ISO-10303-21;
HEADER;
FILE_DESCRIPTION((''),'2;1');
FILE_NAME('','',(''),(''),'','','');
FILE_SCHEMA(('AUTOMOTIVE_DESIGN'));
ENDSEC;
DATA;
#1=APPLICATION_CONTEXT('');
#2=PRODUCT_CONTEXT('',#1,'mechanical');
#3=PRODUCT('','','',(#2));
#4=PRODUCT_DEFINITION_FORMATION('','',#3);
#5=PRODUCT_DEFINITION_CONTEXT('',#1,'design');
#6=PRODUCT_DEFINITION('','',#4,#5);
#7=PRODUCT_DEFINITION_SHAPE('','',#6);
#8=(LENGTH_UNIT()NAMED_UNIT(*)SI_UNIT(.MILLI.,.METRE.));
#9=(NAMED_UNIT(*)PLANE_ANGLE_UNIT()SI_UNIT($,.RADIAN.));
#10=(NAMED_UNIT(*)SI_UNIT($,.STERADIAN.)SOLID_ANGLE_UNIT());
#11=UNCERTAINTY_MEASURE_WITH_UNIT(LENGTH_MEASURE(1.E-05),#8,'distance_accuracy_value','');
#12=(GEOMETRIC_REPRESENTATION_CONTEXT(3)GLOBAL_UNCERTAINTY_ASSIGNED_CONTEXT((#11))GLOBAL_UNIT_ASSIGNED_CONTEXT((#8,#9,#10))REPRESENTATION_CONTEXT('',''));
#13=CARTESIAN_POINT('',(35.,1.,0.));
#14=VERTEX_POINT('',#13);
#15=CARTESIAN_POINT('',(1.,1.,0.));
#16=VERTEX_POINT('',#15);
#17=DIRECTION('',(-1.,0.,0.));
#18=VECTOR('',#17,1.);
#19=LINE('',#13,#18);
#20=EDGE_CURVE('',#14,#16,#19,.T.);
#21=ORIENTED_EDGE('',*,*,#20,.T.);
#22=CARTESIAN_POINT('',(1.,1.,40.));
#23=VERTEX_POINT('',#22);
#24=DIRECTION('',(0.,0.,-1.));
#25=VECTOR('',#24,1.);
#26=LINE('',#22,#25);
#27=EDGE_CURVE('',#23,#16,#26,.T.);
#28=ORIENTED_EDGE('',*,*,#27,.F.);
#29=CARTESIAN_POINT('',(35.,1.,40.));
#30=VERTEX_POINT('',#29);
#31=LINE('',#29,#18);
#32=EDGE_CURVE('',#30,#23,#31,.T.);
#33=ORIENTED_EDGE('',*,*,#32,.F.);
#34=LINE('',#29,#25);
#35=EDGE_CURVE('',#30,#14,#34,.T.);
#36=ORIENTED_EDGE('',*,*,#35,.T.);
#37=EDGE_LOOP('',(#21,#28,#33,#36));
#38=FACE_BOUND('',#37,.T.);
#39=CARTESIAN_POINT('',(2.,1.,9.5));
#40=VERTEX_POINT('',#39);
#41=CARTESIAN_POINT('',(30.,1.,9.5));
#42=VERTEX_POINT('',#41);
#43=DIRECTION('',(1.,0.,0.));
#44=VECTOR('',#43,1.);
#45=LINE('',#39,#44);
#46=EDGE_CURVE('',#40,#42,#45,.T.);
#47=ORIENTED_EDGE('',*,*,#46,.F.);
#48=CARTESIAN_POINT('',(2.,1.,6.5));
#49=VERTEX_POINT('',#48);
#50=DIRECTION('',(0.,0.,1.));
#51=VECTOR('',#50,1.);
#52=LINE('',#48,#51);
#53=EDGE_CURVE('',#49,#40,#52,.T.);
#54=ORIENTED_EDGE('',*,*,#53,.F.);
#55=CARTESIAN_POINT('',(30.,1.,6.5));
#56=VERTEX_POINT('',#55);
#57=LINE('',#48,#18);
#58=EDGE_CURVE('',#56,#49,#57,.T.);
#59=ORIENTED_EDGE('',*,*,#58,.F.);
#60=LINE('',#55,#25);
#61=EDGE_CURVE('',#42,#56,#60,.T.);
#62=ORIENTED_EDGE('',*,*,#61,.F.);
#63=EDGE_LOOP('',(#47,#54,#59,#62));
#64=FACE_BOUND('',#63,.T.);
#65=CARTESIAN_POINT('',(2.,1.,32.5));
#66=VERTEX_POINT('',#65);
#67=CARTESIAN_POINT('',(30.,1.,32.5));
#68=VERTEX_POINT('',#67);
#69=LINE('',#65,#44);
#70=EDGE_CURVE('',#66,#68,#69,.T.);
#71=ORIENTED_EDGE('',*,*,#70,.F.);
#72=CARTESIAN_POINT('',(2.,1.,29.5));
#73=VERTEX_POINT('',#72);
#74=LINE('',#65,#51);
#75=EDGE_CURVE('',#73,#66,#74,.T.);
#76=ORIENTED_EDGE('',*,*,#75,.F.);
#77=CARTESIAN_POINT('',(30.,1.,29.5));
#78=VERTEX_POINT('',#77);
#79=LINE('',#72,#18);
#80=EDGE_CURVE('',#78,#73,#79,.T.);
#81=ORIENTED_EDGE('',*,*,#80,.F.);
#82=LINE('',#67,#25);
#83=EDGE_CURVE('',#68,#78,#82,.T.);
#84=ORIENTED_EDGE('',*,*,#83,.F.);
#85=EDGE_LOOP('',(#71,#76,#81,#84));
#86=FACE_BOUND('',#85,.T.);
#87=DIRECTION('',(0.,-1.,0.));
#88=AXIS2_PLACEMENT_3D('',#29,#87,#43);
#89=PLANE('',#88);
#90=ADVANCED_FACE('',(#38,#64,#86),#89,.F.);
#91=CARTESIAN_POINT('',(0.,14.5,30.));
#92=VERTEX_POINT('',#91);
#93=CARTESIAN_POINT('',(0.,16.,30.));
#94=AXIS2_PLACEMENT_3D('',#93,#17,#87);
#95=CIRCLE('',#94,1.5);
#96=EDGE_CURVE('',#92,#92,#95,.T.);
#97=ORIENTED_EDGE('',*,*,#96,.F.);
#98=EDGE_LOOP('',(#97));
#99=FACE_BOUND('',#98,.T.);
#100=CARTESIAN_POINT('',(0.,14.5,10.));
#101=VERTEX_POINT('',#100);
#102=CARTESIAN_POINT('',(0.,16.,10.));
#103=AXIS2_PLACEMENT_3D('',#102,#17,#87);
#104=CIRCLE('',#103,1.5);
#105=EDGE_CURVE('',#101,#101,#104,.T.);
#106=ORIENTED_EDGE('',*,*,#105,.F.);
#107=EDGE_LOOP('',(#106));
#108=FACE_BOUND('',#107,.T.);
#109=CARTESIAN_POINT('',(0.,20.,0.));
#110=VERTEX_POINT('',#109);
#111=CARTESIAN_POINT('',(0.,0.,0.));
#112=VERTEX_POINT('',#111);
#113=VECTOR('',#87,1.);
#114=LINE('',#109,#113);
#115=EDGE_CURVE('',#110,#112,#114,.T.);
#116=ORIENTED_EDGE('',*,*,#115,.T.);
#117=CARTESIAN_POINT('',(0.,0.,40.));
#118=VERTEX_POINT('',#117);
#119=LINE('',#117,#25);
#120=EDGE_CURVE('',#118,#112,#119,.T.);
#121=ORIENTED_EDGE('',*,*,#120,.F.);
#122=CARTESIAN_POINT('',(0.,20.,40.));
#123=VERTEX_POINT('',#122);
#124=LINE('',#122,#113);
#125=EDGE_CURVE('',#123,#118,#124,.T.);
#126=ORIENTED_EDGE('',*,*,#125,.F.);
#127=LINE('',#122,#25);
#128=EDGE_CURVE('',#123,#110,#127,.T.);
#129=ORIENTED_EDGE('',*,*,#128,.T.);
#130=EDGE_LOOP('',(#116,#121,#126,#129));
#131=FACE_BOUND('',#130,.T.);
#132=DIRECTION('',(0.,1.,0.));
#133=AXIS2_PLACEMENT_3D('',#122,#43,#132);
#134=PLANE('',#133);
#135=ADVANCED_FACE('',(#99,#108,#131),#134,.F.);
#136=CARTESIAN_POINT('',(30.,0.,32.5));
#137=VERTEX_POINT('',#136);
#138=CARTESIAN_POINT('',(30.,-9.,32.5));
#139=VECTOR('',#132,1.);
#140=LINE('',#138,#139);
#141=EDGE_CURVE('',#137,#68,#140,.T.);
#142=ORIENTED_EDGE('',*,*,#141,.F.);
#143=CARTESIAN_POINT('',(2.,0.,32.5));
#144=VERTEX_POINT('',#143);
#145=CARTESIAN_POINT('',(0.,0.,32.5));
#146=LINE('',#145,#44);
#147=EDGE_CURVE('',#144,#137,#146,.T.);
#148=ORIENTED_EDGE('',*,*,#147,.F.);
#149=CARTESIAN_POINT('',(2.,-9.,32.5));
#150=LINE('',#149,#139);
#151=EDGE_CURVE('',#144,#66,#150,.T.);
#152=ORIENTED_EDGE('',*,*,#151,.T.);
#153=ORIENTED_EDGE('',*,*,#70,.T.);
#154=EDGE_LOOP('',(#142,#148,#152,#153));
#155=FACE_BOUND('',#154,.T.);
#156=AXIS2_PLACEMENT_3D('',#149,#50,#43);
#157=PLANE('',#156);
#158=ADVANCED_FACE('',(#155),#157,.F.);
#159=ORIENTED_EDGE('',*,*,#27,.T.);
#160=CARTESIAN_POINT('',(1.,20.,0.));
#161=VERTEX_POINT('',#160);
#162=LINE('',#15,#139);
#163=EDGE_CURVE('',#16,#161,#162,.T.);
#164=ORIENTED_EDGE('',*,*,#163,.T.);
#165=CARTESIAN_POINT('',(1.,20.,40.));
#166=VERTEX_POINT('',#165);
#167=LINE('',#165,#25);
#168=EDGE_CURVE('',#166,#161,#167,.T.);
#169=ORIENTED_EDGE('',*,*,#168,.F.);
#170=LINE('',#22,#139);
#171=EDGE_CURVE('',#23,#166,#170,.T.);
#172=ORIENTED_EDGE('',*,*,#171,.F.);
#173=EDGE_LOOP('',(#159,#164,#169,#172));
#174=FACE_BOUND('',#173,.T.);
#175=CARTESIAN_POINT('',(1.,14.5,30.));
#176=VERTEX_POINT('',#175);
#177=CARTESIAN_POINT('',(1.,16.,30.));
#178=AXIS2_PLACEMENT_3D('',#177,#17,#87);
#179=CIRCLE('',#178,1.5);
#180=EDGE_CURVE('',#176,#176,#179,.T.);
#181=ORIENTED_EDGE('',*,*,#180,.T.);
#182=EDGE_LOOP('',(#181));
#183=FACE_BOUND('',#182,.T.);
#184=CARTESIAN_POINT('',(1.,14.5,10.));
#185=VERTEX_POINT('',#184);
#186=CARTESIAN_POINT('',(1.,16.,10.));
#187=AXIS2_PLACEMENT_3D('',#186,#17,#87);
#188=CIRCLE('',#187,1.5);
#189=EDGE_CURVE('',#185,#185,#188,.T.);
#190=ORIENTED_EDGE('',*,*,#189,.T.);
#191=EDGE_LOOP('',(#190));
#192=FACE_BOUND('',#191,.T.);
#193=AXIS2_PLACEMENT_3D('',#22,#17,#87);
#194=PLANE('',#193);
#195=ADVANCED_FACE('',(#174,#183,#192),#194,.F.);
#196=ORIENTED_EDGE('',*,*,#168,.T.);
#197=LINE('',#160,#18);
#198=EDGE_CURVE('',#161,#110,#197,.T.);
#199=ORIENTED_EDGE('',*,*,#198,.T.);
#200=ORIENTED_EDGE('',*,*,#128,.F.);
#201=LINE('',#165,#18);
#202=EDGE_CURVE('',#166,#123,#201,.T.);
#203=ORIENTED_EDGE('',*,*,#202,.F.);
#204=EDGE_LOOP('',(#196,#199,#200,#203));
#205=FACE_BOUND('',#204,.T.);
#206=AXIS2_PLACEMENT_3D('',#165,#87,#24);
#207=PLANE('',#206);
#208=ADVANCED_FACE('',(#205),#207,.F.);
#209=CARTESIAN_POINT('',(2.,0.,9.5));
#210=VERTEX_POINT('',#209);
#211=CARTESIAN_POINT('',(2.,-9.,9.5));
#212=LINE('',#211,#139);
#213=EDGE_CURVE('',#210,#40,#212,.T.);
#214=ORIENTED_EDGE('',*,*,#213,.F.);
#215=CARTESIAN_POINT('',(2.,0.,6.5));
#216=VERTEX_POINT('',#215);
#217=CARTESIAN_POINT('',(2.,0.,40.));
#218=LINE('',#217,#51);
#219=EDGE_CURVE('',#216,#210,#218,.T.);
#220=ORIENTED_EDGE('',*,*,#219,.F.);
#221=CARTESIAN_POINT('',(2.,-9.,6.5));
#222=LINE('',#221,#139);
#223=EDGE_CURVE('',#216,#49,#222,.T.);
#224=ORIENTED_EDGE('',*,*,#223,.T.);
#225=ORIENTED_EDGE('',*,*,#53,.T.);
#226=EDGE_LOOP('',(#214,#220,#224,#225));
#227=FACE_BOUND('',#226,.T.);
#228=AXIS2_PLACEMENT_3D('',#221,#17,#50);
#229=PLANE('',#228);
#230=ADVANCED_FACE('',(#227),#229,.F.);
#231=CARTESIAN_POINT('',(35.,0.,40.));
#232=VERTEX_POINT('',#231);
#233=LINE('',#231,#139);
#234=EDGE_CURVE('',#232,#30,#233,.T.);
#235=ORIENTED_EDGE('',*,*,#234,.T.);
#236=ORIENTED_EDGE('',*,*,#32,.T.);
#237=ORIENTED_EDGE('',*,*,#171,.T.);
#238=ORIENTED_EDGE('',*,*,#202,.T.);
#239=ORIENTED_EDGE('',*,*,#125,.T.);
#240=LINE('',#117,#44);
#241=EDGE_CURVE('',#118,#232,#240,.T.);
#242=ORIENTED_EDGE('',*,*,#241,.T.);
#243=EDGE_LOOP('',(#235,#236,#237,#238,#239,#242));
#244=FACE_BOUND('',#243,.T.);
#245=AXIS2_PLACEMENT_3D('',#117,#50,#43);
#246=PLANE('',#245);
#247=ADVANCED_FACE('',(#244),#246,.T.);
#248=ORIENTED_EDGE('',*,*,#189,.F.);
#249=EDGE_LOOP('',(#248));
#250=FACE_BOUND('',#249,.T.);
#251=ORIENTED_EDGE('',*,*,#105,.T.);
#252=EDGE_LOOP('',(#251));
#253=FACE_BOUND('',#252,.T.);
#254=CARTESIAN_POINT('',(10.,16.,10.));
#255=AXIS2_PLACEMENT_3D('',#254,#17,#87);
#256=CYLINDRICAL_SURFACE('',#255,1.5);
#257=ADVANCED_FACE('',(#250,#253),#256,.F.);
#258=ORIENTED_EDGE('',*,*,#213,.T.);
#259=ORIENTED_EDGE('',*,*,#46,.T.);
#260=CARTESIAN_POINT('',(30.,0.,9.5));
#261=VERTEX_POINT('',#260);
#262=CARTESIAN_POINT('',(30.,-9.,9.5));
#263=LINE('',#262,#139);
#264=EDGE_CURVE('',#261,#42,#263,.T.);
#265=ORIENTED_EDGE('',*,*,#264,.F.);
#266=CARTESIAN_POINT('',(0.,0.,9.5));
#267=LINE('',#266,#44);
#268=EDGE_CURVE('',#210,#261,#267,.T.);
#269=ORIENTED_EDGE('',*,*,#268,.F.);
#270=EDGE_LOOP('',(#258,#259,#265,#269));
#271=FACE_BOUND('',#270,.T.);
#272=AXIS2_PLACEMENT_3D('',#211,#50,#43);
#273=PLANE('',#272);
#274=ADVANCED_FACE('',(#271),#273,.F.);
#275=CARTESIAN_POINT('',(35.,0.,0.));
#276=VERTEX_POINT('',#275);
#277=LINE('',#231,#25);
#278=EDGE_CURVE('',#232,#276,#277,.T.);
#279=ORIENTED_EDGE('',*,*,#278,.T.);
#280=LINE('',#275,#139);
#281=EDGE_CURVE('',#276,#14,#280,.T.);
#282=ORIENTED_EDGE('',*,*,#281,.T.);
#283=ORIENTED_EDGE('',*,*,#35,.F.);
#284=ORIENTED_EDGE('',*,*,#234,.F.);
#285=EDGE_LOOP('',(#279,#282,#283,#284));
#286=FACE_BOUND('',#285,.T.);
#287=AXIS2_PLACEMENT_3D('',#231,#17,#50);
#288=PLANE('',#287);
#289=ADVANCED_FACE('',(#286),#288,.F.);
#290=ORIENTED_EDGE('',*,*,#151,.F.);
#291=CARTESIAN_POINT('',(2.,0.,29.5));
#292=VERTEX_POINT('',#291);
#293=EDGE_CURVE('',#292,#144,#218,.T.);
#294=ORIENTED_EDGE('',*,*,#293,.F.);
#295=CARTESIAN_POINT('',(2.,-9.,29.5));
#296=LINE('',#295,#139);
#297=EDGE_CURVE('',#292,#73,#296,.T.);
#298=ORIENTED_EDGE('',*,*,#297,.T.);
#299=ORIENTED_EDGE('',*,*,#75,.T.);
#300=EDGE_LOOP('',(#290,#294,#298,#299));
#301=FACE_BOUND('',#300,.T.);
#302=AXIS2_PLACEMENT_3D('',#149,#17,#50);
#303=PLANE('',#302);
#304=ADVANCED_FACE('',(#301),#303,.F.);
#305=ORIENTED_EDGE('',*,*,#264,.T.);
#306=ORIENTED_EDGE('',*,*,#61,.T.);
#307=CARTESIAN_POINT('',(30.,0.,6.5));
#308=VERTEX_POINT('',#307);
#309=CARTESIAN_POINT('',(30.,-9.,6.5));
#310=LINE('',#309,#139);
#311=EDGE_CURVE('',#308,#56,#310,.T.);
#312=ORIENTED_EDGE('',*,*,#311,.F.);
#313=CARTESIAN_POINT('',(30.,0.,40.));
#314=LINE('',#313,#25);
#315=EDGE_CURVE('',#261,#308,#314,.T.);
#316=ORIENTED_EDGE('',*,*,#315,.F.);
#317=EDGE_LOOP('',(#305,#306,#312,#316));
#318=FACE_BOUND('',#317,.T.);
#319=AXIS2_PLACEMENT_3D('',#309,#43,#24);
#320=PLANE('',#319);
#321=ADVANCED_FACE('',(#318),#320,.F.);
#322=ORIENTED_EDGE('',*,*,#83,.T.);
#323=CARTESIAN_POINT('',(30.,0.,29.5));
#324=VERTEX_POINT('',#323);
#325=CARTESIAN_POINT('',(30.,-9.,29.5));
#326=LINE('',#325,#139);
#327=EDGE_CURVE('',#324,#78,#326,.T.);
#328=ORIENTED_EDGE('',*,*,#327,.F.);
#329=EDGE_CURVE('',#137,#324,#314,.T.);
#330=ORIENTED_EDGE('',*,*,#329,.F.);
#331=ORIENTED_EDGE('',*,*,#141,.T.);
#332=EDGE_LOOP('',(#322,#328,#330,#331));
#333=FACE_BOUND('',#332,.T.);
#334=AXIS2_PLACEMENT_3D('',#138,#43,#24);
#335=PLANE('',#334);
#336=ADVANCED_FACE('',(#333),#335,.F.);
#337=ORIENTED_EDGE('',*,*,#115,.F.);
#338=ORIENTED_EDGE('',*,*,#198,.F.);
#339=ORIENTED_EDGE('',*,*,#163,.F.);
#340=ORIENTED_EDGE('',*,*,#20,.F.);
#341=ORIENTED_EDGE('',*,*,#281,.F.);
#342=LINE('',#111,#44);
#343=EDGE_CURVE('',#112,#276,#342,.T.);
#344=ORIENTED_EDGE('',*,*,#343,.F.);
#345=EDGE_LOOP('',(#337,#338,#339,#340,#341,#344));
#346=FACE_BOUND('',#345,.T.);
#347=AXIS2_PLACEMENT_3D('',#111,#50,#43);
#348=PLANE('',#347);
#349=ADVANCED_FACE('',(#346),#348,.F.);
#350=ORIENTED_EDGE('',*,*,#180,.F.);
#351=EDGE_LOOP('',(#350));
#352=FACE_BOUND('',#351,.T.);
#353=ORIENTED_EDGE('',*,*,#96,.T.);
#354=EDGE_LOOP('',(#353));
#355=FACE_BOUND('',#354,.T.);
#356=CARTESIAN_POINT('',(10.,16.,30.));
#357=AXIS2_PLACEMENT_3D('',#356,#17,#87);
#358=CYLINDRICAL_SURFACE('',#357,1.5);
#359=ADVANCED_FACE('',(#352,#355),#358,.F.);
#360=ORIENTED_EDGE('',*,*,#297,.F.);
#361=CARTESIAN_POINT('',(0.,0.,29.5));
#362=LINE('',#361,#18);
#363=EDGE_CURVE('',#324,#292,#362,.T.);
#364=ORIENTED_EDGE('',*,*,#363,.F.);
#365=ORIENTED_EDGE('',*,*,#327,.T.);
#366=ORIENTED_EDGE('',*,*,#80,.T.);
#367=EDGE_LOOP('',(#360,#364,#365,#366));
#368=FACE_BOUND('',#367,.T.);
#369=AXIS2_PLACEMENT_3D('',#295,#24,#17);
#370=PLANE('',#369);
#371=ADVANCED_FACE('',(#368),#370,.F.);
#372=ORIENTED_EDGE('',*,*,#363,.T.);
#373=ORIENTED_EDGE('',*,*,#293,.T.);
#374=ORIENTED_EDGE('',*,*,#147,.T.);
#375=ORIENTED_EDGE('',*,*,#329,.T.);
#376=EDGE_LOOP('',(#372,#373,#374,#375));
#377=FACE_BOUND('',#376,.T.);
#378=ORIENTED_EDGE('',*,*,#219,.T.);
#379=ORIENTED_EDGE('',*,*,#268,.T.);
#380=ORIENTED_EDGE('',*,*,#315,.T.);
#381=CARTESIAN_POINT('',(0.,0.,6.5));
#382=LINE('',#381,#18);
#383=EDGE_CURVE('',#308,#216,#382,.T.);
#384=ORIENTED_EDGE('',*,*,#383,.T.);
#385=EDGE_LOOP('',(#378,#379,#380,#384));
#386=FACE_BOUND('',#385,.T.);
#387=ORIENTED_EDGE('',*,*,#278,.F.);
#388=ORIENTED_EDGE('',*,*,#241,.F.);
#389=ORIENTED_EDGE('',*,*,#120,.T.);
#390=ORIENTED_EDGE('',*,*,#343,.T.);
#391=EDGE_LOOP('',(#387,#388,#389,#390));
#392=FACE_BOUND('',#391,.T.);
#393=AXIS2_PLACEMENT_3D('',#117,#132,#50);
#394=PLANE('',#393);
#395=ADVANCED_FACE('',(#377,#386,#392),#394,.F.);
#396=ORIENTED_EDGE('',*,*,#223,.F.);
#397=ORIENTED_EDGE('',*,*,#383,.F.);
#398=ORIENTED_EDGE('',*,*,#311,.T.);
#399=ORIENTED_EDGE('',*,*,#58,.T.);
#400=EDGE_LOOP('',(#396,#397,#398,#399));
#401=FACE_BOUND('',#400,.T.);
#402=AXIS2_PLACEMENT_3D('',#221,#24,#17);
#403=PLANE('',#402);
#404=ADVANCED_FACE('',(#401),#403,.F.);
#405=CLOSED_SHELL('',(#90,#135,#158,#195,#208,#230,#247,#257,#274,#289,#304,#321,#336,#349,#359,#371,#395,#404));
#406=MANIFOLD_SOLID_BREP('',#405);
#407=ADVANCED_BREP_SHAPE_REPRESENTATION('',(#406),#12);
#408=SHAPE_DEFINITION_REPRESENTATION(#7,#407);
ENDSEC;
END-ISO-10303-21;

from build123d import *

# Parameters (mm, degrees)
BOSS_EXTRUDE1_DEPTH = 40
SKETCH2_W           = 28
SKETCH2_H           = 3
CUT_EXTRUDE1_DEPTH  = 10
SKETCH3_R           = 1.5
CUT_EXTRUDE2_DEPTH  = 10


with BuildPart() as part:
    # Sketch1 → Boss-Extrude1 (new body)
    with BuildSketch(Plane.XY):
        Polygon((0, 0), (35, 0), (35, 1), (1, 1), (1, 20), (0, 20), align=None)
    extrude(amount=BOSS_EXTRUDE1_DEPTH)

    # Sketch2 → Cut-Extrude1 (cut)
    with BuildSketch(Plane(origin=(0, 1, 0), x_dir=(1, 0, 0), z_dir=(0, 1, 0))):
        with Locations((16, -8)):
            Rectangle(SKETCH2_W, SKETCH2_H)
        with Locations((16, -31)):
            Rectangle(SKETCH2_W, SKETCH2_H)
    extrude(amount=-CUT_EXTRUDE1_DEPTH, mode=Mode.SUBTRACT)

    # Sketch3 → Cut-Extrude2 (cut)
    with BuildSketch(Plane.ZY):
        with Locations((30, 16)):
            Circle(SKETCH3_R)
        with Locations((10, 16)):
            Circle(SKETCH3_R)
    extrude(amount=-CUT_EXTRUDE2_DEPTH, mode=Mode.SUBTRACT)


solid = part.part
